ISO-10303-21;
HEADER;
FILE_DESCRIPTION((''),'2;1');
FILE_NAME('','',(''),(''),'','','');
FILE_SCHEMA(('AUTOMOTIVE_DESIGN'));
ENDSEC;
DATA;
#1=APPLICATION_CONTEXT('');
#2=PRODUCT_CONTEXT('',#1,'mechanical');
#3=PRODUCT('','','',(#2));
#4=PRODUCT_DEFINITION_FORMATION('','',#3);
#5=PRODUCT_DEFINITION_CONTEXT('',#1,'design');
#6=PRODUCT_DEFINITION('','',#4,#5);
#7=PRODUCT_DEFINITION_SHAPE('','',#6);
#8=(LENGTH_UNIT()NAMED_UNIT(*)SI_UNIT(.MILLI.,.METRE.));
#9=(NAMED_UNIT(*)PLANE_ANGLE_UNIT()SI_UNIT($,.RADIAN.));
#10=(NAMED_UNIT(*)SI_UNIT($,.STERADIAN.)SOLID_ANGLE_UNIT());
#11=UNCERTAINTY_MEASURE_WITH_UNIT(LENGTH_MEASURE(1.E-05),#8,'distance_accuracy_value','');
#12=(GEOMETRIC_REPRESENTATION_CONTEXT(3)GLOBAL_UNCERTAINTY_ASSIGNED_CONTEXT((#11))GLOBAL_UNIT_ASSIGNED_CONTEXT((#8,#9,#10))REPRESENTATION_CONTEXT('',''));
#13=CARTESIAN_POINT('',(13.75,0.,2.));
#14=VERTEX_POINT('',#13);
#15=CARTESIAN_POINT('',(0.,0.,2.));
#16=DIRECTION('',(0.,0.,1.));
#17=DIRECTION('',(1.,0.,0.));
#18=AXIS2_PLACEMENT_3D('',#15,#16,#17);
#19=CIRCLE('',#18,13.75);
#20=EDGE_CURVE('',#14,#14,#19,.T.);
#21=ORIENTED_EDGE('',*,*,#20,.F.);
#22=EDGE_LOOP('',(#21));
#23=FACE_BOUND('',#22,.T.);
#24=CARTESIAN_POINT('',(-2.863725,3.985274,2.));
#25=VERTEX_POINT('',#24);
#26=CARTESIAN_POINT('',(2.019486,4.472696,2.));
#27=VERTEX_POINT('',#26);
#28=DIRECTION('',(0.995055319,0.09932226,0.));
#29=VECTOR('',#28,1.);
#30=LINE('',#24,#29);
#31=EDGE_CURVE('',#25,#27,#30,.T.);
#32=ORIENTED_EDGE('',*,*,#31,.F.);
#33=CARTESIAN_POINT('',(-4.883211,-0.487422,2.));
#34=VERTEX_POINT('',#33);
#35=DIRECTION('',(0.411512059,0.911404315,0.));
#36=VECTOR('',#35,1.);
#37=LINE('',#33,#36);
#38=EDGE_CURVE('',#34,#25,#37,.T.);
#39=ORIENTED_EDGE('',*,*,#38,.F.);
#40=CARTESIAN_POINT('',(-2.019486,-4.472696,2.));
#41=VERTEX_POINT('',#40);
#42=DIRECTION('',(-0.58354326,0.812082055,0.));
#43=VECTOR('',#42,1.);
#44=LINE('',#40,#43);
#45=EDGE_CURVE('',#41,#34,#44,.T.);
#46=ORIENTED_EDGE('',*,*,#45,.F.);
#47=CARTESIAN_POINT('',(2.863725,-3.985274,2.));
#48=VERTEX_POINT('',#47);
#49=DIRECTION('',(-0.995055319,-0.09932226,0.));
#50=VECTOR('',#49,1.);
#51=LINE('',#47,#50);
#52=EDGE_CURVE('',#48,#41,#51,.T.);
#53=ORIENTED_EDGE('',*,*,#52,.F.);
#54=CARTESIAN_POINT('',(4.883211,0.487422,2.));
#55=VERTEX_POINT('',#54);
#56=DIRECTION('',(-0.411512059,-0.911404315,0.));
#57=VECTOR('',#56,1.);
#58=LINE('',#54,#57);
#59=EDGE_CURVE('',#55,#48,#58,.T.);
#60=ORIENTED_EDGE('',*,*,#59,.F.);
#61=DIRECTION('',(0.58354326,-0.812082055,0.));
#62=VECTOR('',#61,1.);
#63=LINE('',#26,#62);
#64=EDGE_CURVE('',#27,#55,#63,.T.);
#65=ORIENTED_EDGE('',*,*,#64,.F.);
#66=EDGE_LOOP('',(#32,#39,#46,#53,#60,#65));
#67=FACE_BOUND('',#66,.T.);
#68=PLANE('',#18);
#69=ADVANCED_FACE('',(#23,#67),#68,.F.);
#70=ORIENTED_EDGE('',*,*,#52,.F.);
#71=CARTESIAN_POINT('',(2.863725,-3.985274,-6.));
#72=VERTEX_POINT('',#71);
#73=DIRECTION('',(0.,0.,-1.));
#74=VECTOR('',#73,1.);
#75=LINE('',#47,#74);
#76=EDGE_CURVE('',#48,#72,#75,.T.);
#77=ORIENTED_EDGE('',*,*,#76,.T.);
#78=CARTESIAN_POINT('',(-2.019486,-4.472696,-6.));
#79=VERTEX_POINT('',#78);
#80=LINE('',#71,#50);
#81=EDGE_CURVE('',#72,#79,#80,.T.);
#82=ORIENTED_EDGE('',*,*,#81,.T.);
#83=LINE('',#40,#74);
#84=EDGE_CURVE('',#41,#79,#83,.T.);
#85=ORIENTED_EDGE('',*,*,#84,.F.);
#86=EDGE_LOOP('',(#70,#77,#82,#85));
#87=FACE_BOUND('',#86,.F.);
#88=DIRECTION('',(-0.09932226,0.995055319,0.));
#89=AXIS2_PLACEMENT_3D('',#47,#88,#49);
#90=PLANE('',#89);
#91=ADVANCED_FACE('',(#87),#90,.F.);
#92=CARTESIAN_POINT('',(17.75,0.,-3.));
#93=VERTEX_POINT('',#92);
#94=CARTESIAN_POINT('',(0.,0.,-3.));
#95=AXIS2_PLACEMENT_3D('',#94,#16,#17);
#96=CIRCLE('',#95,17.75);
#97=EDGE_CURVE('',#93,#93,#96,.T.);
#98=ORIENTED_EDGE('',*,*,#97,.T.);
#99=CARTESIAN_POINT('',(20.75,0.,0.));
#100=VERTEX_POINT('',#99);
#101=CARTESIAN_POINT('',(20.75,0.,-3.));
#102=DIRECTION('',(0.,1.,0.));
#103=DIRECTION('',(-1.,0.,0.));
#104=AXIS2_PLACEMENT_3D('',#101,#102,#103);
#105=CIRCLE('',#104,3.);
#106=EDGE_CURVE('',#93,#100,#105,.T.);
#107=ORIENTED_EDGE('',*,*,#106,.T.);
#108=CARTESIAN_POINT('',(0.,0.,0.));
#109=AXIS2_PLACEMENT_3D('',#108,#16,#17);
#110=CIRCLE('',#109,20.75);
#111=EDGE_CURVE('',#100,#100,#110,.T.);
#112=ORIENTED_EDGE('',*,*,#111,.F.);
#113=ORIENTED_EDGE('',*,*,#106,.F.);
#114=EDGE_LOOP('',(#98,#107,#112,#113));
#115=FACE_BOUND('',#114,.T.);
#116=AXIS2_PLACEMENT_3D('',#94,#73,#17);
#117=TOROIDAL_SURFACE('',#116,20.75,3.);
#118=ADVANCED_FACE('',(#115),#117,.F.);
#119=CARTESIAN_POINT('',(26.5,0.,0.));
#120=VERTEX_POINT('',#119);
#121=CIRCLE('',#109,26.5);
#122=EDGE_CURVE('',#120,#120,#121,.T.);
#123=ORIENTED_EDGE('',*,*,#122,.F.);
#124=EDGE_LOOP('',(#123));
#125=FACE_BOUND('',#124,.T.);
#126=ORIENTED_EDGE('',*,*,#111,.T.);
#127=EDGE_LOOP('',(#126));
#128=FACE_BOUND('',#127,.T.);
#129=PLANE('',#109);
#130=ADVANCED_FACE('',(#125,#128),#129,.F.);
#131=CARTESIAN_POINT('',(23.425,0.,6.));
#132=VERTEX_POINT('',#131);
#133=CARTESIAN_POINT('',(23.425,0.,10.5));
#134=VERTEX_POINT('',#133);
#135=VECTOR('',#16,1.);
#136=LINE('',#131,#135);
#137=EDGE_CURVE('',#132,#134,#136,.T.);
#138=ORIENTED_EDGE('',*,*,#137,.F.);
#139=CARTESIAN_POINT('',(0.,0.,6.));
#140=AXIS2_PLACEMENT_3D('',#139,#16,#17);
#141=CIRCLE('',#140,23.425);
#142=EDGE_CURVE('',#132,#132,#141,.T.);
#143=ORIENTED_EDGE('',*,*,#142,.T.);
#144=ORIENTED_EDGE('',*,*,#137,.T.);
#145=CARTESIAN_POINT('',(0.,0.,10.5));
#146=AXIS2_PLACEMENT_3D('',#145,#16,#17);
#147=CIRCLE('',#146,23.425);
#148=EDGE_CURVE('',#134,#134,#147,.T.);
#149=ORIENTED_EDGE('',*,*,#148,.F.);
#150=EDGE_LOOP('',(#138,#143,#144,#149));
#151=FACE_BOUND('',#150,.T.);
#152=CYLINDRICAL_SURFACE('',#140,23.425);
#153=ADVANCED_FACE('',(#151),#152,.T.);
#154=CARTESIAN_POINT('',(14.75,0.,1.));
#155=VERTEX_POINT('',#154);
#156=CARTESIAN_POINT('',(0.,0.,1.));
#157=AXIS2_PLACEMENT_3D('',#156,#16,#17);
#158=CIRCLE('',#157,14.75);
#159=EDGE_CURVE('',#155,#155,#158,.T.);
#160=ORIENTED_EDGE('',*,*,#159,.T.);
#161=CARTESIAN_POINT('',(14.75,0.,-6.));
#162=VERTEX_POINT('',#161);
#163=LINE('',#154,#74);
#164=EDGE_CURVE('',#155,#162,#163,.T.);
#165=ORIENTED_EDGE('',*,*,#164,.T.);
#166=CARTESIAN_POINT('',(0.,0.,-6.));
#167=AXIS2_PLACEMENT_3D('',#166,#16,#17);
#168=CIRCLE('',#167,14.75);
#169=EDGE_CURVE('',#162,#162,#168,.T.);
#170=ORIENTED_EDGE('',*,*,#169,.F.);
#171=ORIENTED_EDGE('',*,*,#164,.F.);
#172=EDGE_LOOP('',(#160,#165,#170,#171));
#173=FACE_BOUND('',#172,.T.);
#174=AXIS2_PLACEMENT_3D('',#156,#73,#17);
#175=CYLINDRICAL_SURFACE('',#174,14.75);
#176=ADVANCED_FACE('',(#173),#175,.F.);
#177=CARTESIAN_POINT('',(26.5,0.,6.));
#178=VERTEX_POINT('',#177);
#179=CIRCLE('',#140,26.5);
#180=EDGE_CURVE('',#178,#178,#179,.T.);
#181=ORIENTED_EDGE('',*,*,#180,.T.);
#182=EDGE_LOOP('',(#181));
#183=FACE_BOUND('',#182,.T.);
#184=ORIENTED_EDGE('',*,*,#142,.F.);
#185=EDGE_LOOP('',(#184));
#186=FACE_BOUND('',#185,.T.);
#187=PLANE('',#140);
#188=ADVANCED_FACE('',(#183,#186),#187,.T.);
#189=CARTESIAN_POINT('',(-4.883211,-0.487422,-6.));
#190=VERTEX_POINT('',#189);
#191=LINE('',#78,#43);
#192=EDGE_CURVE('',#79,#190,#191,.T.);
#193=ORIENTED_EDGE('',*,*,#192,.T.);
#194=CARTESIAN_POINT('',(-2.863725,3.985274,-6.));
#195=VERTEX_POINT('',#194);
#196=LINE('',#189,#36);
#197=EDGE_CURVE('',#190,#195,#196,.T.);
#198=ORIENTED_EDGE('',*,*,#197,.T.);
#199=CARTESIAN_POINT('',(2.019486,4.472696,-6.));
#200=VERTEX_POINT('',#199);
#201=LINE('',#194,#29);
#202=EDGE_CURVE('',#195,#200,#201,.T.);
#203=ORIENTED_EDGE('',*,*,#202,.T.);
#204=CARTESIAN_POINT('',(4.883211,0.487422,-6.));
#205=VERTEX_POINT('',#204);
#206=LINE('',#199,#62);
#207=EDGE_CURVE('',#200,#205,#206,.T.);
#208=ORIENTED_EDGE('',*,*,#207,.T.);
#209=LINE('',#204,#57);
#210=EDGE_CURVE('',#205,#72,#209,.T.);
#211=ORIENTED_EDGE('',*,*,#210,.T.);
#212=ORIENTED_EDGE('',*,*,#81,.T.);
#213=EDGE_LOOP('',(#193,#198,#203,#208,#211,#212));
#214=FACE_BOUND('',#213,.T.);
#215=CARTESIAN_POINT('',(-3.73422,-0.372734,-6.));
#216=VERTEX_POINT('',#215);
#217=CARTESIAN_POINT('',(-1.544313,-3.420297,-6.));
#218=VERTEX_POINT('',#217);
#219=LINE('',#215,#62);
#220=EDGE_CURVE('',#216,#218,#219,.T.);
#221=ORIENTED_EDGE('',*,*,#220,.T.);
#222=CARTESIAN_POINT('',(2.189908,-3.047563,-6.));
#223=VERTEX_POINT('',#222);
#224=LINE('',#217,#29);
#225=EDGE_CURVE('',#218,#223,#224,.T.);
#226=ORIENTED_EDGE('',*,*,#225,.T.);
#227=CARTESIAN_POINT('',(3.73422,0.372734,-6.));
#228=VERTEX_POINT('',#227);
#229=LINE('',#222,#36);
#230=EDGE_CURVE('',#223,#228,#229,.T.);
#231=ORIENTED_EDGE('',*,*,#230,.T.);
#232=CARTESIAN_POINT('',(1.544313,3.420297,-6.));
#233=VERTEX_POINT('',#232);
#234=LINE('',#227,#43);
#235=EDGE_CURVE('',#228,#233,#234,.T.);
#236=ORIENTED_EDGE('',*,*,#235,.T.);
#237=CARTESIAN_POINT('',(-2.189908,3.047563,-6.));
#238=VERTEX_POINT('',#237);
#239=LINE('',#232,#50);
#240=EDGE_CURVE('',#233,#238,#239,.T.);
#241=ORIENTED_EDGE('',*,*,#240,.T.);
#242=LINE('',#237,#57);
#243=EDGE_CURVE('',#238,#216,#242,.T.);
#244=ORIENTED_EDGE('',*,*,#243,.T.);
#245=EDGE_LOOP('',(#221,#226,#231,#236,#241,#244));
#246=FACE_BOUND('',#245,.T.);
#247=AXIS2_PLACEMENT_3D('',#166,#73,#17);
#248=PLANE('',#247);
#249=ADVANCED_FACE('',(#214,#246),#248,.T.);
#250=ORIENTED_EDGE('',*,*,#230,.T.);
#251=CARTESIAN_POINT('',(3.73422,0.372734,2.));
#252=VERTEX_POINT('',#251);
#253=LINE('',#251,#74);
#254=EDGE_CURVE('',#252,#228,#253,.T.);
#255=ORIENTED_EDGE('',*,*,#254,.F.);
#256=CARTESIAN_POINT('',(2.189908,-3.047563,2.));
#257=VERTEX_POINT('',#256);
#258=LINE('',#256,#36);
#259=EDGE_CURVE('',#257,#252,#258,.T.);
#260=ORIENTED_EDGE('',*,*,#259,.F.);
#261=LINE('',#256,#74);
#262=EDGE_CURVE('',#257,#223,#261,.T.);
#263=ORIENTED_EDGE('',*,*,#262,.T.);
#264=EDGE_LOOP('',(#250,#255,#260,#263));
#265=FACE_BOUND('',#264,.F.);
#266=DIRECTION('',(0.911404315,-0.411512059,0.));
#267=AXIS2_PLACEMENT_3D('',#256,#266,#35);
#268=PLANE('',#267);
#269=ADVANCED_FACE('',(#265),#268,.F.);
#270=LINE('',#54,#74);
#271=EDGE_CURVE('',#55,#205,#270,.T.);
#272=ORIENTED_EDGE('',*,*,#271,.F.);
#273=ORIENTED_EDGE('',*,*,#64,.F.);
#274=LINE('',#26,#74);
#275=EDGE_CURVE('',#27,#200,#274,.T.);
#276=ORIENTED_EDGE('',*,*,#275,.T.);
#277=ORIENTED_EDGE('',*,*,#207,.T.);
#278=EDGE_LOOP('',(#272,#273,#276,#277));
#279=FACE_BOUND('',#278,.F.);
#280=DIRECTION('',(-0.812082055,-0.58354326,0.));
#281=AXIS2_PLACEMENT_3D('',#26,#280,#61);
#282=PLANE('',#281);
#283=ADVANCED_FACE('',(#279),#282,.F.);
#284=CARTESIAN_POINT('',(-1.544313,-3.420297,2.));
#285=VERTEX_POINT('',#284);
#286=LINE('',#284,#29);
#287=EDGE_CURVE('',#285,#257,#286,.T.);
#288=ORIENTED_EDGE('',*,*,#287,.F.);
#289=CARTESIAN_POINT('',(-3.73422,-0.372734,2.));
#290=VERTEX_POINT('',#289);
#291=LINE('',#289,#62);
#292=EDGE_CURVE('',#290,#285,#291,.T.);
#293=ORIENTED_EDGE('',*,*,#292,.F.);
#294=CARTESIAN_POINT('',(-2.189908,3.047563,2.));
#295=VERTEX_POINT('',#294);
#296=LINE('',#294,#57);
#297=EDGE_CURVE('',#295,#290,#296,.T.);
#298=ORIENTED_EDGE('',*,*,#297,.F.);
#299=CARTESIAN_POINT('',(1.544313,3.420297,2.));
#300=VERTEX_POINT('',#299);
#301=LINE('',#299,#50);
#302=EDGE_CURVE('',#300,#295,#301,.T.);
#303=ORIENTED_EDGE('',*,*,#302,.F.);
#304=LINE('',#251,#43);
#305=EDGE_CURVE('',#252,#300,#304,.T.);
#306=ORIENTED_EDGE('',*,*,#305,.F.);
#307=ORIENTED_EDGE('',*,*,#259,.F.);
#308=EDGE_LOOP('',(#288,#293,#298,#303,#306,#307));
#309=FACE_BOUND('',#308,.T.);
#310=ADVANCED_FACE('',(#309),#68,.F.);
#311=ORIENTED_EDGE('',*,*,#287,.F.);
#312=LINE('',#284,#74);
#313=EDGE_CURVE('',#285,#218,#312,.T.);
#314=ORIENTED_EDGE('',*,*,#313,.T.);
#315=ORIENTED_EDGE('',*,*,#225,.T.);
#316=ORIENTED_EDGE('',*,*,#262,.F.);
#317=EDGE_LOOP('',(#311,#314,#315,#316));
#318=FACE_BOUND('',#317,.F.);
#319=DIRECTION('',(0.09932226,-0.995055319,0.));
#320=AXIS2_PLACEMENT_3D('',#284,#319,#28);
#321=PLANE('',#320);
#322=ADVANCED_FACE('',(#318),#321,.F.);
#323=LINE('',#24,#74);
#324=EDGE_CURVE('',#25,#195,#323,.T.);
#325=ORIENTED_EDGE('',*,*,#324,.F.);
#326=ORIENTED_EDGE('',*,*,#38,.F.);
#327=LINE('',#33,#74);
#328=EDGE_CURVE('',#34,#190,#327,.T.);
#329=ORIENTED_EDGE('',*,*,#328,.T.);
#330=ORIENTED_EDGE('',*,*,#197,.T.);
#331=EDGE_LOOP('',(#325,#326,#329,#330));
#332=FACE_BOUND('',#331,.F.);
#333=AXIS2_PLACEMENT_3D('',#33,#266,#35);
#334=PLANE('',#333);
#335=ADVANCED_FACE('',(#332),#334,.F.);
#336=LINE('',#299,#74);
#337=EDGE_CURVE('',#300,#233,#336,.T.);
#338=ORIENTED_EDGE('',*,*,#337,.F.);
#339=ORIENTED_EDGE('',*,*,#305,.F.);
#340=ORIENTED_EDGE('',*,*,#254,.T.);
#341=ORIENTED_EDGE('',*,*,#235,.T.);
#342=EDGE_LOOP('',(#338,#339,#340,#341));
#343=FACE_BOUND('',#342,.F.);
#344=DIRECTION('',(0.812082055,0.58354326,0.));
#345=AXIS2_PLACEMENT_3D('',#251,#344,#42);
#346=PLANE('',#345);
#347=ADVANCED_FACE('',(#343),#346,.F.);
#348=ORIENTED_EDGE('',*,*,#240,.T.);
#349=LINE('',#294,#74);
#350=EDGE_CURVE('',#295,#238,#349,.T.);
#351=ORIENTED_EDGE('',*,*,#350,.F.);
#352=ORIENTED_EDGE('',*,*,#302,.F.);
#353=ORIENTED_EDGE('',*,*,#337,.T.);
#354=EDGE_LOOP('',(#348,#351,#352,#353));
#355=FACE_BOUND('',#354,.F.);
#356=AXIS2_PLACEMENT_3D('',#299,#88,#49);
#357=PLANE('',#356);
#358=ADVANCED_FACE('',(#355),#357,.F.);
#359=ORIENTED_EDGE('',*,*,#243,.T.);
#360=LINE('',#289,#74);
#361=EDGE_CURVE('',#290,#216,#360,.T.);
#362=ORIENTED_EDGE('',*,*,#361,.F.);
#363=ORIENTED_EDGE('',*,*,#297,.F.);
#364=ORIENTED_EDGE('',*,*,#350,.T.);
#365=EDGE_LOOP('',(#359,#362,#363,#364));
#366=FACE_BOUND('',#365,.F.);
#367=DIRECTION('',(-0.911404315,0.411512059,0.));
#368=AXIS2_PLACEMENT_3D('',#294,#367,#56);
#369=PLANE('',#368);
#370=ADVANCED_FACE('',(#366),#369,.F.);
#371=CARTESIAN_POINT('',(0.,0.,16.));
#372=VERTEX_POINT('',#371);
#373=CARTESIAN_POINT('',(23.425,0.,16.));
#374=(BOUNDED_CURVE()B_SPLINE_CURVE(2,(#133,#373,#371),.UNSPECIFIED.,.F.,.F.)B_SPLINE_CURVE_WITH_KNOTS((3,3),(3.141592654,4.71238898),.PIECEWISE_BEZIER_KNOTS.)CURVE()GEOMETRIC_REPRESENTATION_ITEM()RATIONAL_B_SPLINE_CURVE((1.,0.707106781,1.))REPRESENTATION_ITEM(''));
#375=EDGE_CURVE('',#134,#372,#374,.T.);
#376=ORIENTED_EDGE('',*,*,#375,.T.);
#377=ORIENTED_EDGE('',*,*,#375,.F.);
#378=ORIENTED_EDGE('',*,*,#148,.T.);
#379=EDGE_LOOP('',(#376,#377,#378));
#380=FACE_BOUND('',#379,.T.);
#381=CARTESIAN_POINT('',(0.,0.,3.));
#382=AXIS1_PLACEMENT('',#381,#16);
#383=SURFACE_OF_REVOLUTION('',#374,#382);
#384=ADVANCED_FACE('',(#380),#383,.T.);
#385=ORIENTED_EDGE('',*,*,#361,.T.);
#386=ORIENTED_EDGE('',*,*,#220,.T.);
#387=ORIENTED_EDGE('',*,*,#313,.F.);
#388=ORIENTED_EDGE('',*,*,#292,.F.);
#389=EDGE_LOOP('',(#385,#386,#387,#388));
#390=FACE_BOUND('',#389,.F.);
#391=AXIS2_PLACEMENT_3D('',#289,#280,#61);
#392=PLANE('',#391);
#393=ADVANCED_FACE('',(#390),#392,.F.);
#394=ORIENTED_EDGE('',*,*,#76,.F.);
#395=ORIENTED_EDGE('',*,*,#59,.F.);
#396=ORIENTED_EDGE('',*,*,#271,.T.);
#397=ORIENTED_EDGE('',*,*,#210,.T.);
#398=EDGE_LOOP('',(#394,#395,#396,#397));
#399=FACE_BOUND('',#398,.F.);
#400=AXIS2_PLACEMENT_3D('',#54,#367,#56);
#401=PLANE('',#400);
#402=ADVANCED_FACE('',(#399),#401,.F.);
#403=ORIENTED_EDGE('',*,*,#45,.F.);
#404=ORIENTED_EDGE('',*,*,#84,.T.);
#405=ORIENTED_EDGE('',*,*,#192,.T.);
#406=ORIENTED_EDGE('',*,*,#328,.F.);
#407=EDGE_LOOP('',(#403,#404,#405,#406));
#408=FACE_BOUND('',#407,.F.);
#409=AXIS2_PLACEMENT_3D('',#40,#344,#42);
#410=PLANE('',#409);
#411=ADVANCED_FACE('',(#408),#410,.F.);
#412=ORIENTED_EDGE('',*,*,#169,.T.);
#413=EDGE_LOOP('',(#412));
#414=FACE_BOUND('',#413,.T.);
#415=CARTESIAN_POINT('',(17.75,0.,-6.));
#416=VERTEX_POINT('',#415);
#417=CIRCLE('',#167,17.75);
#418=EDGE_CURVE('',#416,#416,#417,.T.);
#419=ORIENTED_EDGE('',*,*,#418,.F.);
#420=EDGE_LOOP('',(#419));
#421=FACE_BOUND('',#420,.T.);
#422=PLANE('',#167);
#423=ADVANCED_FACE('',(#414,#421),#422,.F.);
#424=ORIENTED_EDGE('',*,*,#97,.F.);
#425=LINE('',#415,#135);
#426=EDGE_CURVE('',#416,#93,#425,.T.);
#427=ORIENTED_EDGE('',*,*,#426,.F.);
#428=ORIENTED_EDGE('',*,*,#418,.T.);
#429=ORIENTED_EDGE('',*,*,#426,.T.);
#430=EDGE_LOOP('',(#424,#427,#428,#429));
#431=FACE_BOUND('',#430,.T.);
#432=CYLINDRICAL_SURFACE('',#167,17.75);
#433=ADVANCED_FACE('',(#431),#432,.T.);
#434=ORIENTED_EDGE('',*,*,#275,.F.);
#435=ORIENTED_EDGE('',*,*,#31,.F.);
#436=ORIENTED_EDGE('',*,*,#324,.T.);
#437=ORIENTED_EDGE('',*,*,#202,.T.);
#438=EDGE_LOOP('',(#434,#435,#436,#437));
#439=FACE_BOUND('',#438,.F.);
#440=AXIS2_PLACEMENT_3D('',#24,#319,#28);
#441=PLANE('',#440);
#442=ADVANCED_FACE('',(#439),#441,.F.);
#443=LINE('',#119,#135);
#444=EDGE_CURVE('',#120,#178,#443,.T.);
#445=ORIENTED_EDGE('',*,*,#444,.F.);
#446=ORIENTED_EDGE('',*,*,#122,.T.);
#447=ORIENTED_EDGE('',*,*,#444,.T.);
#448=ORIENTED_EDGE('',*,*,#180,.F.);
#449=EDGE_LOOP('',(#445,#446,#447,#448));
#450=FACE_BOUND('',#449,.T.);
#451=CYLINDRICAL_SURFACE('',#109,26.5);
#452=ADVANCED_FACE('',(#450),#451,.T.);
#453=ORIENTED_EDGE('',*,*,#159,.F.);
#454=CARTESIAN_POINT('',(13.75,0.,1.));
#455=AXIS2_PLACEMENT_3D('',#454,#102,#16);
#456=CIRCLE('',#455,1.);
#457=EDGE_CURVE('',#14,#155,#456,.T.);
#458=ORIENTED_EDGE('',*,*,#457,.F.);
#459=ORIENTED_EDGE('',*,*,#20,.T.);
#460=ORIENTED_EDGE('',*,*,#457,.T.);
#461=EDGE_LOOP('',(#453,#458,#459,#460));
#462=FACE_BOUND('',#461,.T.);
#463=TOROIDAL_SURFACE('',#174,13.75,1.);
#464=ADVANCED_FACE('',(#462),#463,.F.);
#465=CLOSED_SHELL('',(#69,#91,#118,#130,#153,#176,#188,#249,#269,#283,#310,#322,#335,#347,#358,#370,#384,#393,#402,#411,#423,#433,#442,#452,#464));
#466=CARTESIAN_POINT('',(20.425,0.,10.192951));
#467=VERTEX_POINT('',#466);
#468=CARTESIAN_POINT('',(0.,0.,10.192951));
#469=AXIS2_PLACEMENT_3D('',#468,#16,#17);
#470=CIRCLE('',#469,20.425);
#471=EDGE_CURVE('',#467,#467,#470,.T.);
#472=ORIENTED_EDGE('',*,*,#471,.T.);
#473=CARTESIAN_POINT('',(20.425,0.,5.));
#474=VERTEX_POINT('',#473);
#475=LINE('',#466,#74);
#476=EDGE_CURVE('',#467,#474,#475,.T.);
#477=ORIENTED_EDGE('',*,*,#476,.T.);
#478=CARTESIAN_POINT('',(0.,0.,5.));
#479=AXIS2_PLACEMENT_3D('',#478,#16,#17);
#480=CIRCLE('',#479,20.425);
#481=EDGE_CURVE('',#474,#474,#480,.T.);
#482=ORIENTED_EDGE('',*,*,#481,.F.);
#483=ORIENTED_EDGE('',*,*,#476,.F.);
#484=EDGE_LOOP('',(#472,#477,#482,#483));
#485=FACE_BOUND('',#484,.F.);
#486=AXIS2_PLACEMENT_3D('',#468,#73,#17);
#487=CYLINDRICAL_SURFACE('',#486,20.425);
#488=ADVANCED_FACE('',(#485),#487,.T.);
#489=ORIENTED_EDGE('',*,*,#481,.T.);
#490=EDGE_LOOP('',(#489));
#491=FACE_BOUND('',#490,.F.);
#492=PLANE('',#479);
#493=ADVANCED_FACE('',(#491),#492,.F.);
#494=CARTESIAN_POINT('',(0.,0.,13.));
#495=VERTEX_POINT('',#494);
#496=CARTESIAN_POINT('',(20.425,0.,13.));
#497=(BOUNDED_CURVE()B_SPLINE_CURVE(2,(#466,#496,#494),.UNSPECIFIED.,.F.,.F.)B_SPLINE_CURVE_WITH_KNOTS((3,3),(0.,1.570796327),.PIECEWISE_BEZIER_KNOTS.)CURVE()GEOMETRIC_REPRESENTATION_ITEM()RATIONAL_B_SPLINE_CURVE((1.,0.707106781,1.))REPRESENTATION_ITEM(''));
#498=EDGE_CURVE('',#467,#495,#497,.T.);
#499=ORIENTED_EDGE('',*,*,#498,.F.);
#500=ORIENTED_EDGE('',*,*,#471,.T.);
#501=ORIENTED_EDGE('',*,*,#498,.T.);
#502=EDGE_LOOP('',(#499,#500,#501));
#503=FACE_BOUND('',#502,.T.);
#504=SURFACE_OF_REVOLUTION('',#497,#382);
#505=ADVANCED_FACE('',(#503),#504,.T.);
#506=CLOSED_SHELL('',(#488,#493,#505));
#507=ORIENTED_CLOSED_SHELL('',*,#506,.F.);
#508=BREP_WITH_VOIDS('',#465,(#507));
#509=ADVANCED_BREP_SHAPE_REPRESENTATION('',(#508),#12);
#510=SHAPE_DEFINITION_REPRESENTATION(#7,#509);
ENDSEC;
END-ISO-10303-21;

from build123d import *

# Parameters (mm, degrees)
F3_DEPTH = 8


with BuildPart() as f1:
    # F0 (on Front) → F1 (revolve)
    with BuildSketch(Plane.XZ):
        with BuildLine():
            ThreePointArc((17.75, -3), (18.6286796564, -0.8786796564), (20.75, 0))
            Line((20.75, 0), (26.5, 0))
            Line((26.5, 0), (26.5, 6))
            Line((26.5, 6), (23.425, 6))
            Line((23.425, 6), (23.425, 10.5))
            add(Edge.make_bspline(
                [(23.425, 10.5), (23.425, 16), (0, 16)],
                knots=[3.1415926536, 3.1415926536, 3.1415926536, 4.7123889804, 4.7123889804, 4.7123889804], degree=2, weights=[1, 0.7071067812, 1]))
            Line((0, 16), (0, 13))
            add(Edge.make_bspline(
                [(20.425, 10.1929514026), (20.425, 13), (0, 13)],
                knots=[0, 0, 0, 1.5707963268, 1.5707963268, 1.5707963268], degree=2, weights=[1, 0.7071067812, 1]))
            Line((20.425, 10.1929514026), (20.425, 5))
            Line((20.425, 5), (0, 5))
            Line((0, 5), (0, 2))
            Line((0, 2), (13.75, 2))
            ThreePointArc((13.75, 2), (14.4571067812, 1.7071067812), (14.75, 1))
            Line((14.75, 1), (14.75, -6))
            Line((14.75, -6), (17.75, -6))
            Line((17.75, -6), (17.75, -3))
        make_face()
    revolve(axis=Axis((0, 0, 3), (0, 0, 1)))

    # F2 (on face) → F3 (join, through all)
    with BuildSketch(Plane(origin=(0, 0, 2), x_dir=(1, 0, 0), z_dir=(0, 0, -1))):
        Polygon((2.8637252952, 3.9852742399), (-2.0194860852, 4.472695975), (-4.8832113804, 0.4874217352), (-2.8637252952, -3.9852742399), (2.0194860852, -4.472695975), (4.8832113804, -0.4874217352), align=None)
        Polygon((-1.5443128887, 3.4202969221), (2.1899075787, 3.047562654), (3.7342204673, -0.3727342681), (1.5443128887, -3.4202969221), (-2.1899075787, -3.047562654), (-3.7342204673, 0.3727342681), align=None, mode=Mode.SUBTRACT)
    extrude(amount=F3_DEPTH)


solid = f1.part
